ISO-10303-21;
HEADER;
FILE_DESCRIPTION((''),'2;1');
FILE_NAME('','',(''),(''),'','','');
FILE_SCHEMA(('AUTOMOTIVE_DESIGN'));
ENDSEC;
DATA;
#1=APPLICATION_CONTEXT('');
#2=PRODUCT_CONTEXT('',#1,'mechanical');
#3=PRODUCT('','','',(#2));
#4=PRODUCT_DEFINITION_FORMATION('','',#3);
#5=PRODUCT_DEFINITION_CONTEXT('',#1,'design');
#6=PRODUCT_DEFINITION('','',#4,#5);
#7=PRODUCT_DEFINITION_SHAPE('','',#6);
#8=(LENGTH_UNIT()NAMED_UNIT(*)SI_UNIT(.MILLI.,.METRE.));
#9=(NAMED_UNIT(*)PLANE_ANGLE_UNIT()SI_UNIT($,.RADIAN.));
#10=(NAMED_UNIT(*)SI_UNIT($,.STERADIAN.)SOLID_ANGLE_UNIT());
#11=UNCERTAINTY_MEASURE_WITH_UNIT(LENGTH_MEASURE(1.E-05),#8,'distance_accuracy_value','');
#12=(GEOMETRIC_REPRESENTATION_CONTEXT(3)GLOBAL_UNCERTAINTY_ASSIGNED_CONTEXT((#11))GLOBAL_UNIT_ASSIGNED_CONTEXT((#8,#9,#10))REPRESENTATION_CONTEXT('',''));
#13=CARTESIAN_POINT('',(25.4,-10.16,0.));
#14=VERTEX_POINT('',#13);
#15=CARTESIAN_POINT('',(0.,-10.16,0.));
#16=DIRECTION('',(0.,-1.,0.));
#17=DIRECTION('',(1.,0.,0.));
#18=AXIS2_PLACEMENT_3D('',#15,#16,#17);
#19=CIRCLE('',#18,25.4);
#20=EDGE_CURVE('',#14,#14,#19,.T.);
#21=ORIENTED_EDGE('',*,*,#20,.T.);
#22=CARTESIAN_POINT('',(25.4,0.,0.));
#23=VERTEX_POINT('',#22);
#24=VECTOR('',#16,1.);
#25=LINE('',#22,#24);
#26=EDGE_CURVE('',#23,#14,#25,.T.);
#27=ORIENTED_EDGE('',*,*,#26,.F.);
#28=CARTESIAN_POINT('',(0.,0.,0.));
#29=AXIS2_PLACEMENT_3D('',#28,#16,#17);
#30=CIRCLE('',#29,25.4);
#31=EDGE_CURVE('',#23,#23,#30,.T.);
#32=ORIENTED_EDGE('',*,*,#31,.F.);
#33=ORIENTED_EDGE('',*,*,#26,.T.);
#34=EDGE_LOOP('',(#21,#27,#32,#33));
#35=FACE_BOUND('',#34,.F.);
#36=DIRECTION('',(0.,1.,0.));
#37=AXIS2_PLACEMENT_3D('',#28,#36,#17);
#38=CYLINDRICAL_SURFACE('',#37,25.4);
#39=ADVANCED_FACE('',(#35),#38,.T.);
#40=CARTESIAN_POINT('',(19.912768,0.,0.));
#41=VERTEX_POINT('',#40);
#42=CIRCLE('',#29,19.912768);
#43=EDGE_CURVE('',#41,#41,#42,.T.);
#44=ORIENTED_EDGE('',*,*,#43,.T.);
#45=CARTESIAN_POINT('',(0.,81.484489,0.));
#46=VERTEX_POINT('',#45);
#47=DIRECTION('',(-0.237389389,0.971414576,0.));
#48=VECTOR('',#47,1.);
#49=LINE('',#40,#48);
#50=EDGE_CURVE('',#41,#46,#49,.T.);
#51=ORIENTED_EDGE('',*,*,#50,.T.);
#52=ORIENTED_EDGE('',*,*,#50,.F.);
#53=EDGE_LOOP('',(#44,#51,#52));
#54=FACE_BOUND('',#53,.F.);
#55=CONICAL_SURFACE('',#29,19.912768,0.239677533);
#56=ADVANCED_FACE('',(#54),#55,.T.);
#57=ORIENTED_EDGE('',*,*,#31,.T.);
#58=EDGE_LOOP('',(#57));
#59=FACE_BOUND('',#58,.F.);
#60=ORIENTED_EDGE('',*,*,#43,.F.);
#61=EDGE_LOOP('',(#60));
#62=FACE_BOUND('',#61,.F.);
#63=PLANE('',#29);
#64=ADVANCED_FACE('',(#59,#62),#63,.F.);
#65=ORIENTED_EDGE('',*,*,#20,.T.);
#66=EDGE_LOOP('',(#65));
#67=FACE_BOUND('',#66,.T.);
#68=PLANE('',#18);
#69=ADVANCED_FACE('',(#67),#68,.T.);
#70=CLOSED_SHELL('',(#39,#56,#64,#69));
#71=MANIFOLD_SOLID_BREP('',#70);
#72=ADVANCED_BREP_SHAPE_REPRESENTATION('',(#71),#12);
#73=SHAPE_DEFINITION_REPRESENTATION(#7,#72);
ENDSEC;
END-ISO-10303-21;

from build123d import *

# Parameters (mm, degrees)
F0_R     = 25.4
F1_DEPTH = 10.16


with BuildPart() as f1:
    # F0 (on Front) → F1 (new body)
    with BuildSketch(Plane.XZ):
        Circle(F0_R)
    extrude(amount=F1_DEPTH)

    # F2 (on Top) → F3 (revolve)
    with BuildSketch(Plane.XY):
        Polygon((0, 81.484489), (0, 0), (19.912768, 0), align=None)
    revolve(axis=Axis((0, 0, 0), (0, -1, 0)))


solid = f1.part
